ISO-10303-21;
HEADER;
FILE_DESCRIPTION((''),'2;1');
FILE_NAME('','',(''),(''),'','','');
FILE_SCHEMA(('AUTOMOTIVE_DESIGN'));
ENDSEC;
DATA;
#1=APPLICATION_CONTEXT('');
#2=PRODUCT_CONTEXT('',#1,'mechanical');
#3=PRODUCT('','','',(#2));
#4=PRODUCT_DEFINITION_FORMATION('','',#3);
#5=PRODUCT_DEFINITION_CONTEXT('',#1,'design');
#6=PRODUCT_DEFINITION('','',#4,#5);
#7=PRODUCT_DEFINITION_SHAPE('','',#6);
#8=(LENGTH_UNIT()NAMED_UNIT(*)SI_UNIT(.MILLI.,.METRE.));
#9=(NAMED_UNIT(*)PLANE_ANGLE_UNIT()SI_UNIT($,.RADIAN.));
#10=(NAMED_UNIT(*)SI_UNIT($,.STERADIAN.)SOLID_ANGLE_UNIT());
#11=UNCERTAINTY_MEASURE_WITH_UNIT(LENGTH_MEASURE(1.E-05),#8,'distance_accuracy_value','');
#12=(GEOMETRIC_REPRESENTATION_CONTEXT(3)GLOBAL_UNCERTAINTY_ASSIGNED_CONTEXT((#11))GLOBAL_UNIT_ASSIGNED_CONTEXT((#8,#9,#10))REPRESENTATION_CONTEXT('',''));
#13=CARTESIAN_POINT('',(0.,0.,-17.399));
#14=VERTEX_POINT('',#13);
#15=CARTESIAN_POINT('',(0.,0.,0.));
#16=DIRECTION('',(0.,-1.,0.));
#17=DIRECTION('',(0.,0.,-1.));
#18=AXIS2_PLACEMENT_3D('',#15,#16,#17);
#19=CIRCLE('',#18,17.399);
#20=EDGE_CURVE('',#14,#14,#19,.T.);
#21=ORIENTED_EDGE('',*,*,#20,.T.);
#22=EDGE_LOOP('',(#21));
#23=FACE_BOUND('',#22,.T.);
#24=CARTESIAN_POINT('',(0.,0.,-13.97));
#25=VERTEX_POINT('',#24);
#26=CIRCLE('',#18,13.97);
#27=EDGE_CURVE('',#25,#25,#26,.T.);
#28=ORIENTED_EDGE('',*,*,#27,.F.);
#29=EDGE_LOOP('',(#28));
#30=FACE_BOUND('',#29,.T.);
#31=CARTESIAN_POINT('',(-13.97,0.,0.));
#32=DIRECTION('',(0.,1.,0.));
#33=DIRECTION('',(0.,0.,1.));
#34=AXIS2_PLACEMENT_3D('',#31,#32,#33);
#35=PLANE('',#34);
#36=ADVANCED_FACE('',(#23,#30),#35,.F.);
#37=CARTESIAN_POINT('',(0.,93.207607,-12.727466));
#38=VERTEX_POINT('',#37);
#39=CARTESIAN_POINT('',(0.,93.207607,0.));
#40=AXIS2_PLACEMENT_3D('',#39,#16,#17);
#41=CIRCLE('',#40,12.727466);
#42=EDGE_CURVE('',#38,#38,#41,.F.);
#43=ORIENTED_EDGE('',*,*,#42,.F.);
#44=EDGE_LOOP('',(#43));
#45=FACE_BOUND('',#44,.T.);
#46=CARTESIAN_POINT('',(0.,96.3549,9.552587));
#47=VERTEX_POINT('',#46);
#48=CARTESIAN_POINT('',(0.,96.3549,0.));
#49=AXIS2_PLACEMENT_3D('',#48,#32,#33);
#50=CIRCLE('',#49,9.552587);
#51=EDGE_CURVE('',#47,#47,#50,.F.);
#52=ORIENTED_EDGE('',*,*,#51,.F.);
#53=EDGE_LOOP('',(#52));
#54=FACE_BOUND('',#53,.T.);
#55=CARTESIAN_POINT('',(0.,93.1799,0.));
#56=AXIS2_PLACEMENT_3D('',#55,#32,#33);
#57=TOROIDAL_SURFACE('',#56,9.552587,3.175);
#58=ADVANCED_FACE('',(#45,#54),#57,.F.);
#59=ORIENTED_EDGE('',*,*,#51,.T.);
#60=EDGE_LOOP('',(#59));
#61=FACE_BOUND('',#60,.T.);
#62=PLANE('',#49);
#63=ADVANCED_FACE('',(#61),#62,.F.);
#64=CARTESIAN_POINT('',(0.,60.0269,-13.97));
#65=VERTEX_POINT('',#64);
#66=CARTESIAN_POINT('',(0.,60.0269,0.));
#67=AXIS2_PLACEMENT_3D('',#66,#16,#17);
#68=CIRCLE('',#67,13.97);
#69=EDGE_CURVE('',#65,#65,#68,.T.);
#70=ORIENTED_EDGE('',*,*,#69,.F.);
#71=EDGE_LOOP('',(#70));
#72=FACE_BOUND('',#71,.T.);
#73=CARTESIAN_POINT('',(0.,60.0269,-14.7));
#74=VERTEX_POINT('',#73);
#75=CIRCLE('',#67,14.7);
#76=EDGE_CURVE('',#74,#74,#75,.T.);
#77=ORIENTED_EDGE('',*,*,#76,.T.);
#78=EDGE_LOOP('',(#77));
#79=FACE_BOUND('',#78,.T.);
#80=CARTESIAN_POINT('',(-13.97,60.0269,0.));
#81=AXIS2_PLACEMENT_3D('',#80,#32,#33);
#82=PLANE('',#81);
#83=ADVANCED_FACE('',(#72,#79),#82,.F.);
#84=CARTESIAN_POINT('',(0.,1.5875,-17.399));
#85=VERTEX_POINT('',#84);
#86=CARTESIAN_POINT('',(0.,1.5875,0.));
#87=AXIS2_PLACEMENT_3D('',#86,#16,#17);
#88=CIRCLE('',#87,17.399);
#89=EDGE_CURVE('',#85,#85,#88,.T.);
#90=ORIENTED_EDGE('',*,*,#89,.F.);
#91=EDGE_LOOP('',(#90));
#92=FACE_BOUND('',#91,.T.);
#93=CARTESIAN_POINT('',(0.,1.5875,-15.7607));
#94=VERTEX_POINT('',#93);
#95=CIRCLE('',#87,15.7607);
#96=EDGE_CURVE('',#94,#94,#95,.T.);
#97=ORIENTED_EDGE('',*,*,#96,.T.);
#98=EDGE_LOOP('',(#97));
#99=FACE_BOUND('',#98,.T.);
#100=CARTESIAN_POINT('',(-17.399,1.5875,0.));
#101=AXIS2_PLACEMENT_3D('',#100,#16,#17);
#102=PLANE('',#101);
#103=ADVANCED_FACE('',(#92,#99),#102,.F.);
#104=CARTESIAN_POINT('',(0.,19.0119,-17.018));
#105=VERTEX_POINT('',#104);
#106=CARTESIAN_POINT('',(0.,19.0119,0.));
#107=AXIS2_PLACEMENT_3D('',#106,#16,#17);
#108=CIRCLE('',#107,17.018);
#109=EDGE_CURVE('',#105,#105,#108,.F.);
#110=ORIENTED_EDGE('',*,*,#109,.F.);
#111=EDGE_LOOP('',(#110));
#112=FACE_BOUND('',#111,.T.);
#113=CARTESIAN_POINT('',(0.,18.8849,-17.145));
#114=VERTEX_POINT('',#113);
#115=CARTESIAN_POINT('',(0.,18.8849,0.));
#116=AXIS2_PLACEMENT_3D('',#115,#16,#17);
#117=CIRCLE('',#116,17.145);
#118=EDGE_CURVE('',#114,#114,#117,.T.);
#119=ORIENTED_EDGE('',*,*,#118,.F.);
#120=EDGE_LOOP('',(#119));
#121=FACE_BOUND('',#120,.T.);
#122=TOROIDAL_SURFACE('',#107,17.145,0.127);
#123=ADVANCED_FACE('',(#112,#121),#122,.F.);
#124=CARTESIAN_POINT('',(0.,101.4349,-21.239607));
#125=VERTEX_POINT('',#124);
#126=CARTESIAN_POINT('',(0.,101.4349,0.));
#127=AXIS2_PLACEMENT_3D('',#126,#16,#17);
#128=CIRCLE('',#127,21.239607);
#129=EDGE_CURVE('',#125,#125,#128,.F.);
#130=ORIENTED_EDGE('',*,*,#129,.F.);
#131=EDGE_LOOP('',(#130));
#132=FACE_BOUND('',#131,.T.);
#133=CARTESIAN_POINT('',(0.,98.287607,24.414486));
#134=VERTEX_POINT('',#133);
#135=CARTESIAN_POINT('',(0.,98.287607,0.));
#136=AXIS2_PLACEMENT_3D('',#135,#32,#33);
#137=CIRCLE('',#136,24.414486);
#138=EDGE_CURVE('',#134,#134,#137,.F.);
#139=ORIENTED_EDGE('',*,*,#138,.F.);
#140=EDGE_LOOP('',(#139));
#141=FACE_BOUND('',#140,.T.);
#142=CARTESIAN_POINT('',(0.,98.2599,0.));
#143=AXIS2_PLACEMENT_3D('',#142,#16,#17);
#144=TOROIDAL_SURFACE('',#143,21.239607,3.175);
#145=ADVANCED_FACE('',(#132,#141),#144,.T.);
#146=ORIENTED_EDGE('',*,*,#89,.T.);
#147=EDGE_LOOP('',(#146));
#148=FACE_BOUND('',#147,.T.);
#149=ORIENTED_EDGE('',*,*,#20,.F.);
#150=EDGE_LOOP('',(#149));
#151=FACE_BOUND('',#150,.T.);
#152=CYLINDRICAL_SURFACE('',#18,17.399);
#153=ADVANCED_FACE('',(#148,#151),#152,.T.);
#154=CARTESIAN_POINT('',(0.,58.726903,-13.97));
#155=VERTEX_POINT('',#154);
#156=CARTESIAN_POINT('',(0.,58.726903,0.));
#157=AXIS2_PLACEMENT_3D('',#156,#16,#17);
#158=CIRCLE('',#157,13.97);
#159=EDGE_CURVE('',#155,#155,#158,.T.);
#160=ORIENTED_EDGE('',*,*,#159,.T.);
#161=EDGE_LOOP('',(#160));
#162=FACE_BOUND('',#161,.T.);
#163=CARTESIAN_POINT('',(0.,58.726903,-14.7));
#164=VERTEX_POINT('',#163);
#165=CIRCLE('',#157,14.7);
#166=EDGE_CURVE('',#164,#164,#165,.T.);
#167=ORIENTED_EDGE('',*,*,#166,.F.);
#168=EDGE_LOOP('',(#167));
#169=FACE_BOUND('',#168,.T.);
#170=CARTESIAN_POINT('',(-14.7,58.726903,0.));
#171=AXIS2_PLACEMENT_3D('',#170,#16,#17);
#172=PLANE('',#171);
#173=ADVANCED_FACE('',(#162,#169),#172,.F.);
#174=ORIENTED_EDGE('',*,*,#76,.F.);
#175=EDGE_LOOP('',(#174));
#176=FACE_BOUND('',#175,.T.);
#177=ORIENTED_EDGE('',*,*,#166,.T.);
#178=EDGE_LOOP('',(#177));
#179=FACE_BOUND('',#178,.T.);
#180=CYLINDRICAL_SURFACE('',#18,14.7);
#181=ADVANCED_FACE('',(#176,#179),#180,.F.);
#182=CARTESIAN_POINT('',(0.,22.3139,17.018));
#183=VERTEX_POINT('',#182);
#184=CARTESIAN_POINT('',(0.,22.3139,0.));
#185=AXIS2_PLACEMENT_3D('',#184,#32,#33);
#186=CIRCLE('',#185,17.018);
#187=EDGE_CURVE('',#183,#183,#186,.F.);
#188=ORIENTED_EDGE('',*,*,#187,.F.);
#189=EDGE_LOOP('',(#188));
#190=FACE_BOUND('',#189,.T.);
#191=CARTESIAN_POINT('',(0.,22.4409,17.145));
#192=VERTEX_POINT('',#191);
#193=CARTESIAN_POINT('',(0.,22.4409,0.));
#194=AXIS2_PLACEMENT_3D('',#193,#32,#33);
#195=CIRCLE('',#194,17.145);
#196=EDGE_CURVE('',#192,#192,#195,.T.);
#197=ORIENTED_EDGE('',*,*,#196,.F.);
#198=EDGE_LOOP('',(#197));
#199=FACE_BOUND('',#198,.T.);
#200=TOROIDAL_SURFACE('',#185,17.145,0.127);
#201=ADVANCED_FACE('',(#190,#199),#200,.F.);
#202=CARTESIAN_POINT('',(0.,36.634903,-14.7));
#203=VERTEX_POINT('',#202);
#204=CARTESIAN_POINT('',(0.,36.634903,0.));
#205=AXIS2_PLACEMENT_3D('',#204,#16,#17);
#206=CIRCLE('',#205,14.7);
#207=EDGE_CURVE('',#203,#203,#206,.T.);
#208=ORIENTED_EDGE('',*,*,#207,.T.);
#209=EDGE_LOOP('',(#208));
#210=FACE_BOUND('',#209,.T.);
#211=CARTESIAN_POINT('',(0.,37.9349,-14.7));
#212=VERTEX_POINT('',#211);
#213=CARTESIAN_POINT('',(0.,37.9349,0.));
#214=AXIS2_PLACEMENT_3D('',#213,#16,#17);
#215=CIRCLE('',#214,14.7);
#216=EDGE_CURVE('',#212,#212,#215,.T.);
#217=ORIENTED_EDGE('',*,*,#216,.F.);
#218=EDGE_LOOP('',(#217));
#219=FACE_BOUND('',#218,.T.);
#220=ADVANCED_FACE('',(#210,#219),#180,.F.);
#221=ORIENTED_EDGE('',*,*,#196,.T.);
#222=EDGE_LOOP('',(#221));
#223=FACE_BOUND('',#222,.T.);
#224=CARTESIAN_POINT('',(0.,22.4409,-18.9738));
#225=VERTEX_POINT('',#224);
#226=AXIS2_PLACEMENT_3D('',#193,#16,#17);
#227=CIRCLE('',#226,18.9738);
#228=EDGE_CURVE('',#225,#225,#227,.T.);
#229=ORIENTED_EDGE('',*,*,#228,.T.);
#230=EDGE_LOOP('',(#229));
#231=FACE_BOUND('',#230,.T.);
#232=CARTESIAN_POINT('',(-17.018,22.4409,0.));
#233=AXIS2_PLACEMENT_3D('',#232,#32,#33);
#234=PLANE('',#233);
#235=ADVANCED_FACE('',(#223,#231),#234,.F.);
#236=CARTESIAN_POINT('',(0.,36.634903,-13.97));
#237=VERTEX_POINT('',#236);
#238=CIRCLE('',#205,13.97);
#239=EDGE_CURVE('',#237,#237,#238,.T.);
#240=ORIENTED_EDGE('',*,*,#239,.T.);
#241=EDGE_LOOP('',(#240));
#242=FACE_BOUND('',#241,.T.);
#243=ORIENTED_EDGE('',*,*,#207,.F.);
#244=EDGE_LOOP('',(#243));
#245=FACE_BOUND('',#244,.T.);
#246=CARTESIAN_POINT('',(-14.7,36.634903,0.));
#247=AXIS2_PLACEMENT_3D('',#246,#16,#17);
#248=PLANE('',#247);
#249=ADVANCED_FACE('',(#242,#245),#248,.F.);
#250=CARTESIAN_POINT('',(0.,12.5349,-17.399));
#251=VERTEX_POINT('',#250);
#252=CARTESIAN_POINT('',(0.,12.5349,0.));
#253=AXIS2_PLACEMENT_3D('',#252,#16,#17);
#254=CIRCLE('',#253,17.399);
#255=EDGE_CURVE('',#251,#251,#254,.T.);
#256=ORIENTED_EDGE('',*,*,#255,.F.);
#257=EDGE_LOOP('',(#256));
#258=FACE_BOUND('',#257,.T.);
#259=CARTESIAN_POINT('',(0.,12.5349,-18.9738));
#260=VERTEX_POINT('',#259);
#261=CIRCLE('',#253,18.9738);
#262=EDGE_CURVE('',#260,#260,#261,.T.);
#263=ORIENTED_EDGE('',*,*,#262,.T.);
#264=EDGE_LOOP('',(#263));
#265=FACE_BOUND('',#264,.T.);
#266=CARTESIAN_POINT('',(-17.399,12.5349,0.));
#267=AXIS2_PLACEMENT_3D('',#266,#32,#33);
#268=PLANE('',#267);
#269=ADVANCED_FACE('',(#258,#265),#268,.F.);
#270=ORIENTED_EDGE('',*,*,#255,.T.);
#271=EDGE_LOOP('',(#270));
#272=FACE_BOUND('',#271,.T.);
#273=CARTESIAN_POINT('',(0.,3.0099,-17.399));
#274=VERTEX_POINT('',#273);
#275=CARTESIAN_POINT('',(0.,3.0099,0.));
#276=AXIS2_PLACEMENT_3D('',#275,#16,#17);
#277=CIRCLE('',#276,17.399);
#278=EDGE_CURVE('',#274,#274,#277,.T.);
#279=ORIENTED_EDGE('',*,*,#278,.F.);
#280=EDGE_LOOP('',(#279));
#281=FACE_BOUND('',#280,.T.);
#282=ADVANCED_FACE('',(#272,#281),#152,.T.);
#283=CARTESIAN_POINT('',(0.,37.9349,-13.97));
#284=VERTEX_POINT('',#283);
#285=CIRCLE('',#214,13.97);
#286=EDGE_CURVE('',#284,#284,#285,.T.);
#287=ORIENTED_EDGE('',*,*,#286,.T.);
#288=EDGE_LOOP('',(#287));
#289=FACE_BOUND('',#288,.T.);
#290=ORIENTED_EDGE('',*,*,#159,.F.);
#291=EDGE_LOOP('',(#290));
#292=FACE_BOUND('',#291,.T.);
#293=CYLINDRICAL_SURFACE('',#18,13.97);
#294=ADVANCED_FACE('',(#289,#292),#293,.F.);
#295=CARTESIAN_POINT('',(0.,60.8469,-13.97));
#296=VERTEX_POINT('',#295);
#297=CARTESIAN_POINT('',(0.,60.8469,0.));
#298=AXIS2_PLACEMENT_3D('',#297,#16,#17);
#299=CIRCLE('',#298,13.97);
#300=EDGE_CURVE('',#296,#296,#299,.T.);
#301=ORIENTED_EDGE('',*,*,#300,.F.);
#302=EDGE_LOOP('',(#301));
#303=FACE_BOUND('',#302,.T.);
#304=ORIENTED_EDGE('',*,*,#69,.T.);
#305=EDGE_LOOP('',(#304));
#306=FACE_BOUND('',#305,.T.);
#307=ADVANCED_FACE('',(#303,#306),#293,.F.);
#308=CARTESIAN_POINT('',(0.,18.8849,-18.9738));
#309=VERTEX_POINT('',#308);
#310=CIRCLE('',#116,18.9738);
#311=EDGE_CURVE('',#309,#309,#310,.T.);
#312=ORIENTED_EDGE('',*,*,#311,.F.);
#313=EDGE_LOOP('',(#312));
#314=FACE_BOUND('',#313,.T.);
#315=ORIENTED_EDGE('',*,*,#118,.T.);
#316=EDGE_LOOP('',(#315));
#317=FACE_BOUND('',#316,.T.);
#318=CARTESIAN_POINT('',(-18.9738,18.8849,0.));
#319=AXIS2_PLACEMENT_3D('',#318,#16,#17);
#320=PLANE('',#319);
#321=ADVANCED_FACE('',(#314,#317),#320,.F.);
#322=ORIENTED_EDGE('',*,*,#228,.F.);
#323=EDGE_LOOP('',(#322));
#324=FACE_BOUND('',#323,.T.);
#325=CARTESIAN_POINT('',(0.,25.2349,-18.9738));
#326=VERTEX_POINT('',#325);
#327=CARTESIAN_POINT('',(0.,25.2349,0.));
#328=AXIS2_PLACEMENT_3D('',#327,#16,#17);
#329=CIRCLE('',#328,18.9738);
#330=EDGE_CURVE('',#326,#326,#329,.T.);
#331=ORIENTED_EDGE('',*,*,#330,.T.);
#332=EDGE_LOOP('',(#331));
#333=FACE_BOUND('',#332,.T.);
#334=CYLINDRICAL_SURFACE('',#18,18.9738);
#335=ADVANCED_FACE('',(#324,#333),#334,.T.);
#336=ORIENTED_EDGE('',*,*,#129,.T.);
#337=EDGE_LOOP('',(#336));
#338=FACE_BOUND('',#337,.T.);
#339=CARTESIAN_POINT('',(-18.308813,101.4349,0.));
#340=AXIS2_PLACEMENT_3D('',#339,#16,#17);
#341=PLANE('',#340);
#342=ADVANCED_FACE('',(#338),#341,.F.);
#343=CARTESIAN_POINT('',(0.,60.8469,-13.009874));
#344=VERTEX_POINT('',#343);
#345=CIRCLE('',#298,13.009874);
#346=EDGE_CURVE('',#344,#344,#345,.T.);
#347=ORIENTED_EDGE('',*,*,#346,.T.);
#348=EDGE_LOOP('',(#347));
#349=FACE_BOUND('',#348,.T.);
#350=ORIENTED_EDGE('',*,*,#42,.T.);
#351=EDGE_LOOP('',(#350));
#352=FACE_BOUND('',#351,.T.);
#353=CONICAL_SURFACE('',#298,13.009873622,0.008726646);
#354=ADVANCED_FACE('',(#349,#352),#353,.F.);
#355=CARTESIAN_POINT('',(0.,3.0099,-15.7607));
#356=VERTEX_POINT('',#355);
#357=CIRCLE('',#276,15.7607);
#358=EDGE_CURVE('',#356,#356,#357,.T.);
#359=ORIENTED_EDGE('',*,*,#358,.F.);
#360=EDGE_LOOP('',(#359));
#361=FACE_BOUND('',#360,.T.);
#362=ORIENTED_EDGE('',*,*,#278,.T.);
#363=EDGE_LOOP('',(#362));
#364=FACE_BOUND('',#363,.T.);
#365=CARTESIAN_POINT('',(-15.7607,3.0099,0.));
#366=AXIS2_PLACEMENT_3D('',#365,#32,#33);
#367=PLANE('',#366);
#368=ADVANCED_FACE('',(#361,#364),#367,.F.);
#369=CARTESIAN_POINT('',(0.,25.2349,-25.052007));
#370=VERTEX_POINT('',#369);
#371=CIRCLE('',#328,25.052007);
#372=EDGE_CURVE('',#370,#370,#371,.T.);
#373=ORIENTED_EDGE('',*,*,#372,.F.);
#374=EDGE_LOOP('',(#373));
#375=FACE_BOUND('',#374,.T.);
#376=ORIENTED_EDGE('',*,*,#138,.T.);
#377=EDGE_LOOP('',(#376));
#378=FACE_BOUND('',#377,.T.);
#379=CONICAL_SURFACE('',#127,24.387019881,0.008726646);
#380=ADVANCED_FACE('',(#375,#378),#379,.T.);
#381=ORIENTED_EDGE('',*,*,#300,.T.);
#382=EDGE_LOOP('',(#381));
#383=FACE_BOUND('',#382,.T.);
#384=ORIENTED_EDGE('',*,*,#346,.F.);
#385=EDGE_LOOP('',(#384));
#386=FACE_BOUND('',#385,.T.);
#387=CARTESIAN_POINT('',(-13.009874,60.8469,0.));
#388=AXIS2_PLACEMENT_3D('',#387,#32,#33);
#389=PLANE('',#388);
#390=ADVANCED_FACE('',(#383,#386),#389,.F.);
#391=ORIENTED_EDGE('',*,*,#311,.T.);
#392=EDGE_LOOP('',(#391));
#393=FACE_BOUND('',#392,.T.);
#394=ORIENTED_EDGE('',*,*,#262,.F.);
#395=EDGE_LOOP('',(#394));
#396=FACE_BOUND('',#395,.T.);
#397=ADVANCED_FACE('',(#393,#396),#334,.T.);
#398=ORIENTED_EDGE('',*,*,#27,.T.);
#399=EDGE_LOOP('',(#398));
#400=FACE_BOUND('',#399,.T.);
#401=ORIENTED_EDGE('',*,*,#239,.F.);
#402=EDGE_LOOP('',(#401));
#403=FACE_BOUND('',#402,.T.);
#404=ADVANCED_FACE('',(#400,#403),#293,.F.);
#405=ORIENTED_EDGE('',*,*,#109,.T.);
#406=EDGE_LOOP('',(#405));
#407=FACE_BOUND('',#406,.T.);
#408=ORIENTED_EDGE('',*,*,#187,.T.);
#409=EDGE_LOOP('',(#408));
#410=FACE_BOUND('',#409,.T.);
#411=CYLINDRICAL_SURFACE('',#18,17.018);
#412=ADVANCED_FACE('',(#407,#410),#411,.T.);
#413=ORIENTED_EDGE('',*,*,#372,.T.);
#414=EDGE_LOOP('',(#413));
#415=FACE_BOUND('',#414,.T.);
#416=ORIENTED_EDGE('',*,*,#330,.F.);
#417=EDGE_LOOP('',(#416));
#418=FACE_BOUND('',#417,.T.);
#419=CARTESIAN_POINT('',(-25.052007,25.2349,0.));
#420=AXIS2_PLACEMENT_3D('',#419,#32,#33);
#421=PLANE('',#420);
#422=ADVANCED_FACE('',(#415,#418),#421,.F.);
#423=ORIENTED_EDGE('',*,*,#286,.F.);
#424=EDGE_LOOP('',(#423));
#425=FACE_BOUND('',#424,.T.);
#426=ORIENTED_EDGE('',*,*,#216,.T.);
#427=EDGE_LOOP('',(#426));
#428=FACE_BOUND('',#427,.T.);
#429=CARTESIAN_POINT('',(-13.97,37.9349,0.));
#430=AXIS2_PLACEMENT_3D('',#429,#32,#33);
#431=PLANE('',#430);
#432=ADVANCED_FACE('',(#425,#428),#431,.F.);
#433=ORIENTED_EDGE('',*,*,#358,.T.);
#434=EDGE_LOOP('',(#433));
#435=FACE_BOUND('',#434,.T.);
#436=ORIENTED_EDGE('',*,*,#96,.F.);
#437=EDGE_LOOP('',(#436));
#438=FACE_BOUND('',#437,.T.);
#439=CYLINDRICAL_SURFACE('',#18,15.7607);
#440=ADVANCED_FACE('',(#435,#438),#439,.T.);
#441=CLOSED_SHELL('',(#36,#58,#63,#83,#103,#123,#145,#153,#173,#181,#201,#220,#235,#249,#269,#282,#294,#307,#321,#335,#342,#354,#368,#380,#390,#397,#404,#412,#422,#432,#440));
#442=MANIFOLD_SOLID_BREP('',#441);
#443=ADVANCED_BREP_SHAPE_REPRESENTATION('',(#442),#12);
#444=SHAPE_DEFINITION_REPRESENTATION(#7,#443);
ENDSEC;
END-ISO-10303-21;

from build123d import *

# Parameters (mm, degrees)
FILLET2_R        = 3.175
FILLET4_R        = 0.127
HC843E_FILLET3_R = 3.175


with BuildPart() as part:
    # Sketch1 → Revolve1 (revolve)
    with BuildSketch(Plane.XY):
        Polygon((-13.97, 0), (-17.399, 0), (-17.399, 1.5875), (-15.7607, 1.5875), (-15.7607, 3.0099), (-17.399, 3.0099), (-17.399, 12.5349), (-18.9738, 12.5349), (-18.9738, 18.8849), (-17.018, 18.8849), (-17.018, 22.4409), (-18.9738, 22.4409), (-18.9738, 25.2349), (-18.308812674, 101.4349), (0, 101.4349), (0, 96.3549), (-12.7, 96.3549), (-13.009873622, 60.8469), (-13.97, 60.8469), (-13.97, 60.0269), (-14.7, 60.0269), (-14.7, 58.7269026), (-13.97, 58.7269026), (-13.97, 37.9349), (-14.7, 37.9349), (-14.7, 36.6349026), (-13.97, 36.6349026), align=None)
    revolve(axis=Axis((0, 0, 0), (0, 1, 0)))

    # Fillet2
    fillet2_edges = [part.edges().sort_by_distance(p)[0] for p in [
        (12.7, 96.3549, 0),
    ]]
    fillet(fillet2_edges, radius=FILLET2_R)

    # Fillet4
    fillet4_edges = [part.edges().sort_by_distance(p)[0] for p in [
        (17.018, 18.8849, 0),
        (17.018, 22.4409, 0),
    ]]
    fillet(fillet4_edges, radius=FILLET4_R)

    # Sketch4 → HC843E Revolve3 (revolve)
    with BuildSketch(Plane.XY):
        Polygon((-18.308812674, 101.4349), (-24.387019881, 101.4349), (-25.052007206, 25.2349), (-18.9738, 25.2349), align=None)
    revolve(axis=Axis((0, 0, 0), (0, 1, 0)))

    # HC843E Fillet3
    hc843e_fillet3_edges = [part.edges().sort_by_distance(p)[0] for p in [
        (24.387019881, 101.4349, 0),
    ]]
    fillet(hc843e_fillet3_edges, radius=HC843E_FILLET3_R)


solid = part.part
